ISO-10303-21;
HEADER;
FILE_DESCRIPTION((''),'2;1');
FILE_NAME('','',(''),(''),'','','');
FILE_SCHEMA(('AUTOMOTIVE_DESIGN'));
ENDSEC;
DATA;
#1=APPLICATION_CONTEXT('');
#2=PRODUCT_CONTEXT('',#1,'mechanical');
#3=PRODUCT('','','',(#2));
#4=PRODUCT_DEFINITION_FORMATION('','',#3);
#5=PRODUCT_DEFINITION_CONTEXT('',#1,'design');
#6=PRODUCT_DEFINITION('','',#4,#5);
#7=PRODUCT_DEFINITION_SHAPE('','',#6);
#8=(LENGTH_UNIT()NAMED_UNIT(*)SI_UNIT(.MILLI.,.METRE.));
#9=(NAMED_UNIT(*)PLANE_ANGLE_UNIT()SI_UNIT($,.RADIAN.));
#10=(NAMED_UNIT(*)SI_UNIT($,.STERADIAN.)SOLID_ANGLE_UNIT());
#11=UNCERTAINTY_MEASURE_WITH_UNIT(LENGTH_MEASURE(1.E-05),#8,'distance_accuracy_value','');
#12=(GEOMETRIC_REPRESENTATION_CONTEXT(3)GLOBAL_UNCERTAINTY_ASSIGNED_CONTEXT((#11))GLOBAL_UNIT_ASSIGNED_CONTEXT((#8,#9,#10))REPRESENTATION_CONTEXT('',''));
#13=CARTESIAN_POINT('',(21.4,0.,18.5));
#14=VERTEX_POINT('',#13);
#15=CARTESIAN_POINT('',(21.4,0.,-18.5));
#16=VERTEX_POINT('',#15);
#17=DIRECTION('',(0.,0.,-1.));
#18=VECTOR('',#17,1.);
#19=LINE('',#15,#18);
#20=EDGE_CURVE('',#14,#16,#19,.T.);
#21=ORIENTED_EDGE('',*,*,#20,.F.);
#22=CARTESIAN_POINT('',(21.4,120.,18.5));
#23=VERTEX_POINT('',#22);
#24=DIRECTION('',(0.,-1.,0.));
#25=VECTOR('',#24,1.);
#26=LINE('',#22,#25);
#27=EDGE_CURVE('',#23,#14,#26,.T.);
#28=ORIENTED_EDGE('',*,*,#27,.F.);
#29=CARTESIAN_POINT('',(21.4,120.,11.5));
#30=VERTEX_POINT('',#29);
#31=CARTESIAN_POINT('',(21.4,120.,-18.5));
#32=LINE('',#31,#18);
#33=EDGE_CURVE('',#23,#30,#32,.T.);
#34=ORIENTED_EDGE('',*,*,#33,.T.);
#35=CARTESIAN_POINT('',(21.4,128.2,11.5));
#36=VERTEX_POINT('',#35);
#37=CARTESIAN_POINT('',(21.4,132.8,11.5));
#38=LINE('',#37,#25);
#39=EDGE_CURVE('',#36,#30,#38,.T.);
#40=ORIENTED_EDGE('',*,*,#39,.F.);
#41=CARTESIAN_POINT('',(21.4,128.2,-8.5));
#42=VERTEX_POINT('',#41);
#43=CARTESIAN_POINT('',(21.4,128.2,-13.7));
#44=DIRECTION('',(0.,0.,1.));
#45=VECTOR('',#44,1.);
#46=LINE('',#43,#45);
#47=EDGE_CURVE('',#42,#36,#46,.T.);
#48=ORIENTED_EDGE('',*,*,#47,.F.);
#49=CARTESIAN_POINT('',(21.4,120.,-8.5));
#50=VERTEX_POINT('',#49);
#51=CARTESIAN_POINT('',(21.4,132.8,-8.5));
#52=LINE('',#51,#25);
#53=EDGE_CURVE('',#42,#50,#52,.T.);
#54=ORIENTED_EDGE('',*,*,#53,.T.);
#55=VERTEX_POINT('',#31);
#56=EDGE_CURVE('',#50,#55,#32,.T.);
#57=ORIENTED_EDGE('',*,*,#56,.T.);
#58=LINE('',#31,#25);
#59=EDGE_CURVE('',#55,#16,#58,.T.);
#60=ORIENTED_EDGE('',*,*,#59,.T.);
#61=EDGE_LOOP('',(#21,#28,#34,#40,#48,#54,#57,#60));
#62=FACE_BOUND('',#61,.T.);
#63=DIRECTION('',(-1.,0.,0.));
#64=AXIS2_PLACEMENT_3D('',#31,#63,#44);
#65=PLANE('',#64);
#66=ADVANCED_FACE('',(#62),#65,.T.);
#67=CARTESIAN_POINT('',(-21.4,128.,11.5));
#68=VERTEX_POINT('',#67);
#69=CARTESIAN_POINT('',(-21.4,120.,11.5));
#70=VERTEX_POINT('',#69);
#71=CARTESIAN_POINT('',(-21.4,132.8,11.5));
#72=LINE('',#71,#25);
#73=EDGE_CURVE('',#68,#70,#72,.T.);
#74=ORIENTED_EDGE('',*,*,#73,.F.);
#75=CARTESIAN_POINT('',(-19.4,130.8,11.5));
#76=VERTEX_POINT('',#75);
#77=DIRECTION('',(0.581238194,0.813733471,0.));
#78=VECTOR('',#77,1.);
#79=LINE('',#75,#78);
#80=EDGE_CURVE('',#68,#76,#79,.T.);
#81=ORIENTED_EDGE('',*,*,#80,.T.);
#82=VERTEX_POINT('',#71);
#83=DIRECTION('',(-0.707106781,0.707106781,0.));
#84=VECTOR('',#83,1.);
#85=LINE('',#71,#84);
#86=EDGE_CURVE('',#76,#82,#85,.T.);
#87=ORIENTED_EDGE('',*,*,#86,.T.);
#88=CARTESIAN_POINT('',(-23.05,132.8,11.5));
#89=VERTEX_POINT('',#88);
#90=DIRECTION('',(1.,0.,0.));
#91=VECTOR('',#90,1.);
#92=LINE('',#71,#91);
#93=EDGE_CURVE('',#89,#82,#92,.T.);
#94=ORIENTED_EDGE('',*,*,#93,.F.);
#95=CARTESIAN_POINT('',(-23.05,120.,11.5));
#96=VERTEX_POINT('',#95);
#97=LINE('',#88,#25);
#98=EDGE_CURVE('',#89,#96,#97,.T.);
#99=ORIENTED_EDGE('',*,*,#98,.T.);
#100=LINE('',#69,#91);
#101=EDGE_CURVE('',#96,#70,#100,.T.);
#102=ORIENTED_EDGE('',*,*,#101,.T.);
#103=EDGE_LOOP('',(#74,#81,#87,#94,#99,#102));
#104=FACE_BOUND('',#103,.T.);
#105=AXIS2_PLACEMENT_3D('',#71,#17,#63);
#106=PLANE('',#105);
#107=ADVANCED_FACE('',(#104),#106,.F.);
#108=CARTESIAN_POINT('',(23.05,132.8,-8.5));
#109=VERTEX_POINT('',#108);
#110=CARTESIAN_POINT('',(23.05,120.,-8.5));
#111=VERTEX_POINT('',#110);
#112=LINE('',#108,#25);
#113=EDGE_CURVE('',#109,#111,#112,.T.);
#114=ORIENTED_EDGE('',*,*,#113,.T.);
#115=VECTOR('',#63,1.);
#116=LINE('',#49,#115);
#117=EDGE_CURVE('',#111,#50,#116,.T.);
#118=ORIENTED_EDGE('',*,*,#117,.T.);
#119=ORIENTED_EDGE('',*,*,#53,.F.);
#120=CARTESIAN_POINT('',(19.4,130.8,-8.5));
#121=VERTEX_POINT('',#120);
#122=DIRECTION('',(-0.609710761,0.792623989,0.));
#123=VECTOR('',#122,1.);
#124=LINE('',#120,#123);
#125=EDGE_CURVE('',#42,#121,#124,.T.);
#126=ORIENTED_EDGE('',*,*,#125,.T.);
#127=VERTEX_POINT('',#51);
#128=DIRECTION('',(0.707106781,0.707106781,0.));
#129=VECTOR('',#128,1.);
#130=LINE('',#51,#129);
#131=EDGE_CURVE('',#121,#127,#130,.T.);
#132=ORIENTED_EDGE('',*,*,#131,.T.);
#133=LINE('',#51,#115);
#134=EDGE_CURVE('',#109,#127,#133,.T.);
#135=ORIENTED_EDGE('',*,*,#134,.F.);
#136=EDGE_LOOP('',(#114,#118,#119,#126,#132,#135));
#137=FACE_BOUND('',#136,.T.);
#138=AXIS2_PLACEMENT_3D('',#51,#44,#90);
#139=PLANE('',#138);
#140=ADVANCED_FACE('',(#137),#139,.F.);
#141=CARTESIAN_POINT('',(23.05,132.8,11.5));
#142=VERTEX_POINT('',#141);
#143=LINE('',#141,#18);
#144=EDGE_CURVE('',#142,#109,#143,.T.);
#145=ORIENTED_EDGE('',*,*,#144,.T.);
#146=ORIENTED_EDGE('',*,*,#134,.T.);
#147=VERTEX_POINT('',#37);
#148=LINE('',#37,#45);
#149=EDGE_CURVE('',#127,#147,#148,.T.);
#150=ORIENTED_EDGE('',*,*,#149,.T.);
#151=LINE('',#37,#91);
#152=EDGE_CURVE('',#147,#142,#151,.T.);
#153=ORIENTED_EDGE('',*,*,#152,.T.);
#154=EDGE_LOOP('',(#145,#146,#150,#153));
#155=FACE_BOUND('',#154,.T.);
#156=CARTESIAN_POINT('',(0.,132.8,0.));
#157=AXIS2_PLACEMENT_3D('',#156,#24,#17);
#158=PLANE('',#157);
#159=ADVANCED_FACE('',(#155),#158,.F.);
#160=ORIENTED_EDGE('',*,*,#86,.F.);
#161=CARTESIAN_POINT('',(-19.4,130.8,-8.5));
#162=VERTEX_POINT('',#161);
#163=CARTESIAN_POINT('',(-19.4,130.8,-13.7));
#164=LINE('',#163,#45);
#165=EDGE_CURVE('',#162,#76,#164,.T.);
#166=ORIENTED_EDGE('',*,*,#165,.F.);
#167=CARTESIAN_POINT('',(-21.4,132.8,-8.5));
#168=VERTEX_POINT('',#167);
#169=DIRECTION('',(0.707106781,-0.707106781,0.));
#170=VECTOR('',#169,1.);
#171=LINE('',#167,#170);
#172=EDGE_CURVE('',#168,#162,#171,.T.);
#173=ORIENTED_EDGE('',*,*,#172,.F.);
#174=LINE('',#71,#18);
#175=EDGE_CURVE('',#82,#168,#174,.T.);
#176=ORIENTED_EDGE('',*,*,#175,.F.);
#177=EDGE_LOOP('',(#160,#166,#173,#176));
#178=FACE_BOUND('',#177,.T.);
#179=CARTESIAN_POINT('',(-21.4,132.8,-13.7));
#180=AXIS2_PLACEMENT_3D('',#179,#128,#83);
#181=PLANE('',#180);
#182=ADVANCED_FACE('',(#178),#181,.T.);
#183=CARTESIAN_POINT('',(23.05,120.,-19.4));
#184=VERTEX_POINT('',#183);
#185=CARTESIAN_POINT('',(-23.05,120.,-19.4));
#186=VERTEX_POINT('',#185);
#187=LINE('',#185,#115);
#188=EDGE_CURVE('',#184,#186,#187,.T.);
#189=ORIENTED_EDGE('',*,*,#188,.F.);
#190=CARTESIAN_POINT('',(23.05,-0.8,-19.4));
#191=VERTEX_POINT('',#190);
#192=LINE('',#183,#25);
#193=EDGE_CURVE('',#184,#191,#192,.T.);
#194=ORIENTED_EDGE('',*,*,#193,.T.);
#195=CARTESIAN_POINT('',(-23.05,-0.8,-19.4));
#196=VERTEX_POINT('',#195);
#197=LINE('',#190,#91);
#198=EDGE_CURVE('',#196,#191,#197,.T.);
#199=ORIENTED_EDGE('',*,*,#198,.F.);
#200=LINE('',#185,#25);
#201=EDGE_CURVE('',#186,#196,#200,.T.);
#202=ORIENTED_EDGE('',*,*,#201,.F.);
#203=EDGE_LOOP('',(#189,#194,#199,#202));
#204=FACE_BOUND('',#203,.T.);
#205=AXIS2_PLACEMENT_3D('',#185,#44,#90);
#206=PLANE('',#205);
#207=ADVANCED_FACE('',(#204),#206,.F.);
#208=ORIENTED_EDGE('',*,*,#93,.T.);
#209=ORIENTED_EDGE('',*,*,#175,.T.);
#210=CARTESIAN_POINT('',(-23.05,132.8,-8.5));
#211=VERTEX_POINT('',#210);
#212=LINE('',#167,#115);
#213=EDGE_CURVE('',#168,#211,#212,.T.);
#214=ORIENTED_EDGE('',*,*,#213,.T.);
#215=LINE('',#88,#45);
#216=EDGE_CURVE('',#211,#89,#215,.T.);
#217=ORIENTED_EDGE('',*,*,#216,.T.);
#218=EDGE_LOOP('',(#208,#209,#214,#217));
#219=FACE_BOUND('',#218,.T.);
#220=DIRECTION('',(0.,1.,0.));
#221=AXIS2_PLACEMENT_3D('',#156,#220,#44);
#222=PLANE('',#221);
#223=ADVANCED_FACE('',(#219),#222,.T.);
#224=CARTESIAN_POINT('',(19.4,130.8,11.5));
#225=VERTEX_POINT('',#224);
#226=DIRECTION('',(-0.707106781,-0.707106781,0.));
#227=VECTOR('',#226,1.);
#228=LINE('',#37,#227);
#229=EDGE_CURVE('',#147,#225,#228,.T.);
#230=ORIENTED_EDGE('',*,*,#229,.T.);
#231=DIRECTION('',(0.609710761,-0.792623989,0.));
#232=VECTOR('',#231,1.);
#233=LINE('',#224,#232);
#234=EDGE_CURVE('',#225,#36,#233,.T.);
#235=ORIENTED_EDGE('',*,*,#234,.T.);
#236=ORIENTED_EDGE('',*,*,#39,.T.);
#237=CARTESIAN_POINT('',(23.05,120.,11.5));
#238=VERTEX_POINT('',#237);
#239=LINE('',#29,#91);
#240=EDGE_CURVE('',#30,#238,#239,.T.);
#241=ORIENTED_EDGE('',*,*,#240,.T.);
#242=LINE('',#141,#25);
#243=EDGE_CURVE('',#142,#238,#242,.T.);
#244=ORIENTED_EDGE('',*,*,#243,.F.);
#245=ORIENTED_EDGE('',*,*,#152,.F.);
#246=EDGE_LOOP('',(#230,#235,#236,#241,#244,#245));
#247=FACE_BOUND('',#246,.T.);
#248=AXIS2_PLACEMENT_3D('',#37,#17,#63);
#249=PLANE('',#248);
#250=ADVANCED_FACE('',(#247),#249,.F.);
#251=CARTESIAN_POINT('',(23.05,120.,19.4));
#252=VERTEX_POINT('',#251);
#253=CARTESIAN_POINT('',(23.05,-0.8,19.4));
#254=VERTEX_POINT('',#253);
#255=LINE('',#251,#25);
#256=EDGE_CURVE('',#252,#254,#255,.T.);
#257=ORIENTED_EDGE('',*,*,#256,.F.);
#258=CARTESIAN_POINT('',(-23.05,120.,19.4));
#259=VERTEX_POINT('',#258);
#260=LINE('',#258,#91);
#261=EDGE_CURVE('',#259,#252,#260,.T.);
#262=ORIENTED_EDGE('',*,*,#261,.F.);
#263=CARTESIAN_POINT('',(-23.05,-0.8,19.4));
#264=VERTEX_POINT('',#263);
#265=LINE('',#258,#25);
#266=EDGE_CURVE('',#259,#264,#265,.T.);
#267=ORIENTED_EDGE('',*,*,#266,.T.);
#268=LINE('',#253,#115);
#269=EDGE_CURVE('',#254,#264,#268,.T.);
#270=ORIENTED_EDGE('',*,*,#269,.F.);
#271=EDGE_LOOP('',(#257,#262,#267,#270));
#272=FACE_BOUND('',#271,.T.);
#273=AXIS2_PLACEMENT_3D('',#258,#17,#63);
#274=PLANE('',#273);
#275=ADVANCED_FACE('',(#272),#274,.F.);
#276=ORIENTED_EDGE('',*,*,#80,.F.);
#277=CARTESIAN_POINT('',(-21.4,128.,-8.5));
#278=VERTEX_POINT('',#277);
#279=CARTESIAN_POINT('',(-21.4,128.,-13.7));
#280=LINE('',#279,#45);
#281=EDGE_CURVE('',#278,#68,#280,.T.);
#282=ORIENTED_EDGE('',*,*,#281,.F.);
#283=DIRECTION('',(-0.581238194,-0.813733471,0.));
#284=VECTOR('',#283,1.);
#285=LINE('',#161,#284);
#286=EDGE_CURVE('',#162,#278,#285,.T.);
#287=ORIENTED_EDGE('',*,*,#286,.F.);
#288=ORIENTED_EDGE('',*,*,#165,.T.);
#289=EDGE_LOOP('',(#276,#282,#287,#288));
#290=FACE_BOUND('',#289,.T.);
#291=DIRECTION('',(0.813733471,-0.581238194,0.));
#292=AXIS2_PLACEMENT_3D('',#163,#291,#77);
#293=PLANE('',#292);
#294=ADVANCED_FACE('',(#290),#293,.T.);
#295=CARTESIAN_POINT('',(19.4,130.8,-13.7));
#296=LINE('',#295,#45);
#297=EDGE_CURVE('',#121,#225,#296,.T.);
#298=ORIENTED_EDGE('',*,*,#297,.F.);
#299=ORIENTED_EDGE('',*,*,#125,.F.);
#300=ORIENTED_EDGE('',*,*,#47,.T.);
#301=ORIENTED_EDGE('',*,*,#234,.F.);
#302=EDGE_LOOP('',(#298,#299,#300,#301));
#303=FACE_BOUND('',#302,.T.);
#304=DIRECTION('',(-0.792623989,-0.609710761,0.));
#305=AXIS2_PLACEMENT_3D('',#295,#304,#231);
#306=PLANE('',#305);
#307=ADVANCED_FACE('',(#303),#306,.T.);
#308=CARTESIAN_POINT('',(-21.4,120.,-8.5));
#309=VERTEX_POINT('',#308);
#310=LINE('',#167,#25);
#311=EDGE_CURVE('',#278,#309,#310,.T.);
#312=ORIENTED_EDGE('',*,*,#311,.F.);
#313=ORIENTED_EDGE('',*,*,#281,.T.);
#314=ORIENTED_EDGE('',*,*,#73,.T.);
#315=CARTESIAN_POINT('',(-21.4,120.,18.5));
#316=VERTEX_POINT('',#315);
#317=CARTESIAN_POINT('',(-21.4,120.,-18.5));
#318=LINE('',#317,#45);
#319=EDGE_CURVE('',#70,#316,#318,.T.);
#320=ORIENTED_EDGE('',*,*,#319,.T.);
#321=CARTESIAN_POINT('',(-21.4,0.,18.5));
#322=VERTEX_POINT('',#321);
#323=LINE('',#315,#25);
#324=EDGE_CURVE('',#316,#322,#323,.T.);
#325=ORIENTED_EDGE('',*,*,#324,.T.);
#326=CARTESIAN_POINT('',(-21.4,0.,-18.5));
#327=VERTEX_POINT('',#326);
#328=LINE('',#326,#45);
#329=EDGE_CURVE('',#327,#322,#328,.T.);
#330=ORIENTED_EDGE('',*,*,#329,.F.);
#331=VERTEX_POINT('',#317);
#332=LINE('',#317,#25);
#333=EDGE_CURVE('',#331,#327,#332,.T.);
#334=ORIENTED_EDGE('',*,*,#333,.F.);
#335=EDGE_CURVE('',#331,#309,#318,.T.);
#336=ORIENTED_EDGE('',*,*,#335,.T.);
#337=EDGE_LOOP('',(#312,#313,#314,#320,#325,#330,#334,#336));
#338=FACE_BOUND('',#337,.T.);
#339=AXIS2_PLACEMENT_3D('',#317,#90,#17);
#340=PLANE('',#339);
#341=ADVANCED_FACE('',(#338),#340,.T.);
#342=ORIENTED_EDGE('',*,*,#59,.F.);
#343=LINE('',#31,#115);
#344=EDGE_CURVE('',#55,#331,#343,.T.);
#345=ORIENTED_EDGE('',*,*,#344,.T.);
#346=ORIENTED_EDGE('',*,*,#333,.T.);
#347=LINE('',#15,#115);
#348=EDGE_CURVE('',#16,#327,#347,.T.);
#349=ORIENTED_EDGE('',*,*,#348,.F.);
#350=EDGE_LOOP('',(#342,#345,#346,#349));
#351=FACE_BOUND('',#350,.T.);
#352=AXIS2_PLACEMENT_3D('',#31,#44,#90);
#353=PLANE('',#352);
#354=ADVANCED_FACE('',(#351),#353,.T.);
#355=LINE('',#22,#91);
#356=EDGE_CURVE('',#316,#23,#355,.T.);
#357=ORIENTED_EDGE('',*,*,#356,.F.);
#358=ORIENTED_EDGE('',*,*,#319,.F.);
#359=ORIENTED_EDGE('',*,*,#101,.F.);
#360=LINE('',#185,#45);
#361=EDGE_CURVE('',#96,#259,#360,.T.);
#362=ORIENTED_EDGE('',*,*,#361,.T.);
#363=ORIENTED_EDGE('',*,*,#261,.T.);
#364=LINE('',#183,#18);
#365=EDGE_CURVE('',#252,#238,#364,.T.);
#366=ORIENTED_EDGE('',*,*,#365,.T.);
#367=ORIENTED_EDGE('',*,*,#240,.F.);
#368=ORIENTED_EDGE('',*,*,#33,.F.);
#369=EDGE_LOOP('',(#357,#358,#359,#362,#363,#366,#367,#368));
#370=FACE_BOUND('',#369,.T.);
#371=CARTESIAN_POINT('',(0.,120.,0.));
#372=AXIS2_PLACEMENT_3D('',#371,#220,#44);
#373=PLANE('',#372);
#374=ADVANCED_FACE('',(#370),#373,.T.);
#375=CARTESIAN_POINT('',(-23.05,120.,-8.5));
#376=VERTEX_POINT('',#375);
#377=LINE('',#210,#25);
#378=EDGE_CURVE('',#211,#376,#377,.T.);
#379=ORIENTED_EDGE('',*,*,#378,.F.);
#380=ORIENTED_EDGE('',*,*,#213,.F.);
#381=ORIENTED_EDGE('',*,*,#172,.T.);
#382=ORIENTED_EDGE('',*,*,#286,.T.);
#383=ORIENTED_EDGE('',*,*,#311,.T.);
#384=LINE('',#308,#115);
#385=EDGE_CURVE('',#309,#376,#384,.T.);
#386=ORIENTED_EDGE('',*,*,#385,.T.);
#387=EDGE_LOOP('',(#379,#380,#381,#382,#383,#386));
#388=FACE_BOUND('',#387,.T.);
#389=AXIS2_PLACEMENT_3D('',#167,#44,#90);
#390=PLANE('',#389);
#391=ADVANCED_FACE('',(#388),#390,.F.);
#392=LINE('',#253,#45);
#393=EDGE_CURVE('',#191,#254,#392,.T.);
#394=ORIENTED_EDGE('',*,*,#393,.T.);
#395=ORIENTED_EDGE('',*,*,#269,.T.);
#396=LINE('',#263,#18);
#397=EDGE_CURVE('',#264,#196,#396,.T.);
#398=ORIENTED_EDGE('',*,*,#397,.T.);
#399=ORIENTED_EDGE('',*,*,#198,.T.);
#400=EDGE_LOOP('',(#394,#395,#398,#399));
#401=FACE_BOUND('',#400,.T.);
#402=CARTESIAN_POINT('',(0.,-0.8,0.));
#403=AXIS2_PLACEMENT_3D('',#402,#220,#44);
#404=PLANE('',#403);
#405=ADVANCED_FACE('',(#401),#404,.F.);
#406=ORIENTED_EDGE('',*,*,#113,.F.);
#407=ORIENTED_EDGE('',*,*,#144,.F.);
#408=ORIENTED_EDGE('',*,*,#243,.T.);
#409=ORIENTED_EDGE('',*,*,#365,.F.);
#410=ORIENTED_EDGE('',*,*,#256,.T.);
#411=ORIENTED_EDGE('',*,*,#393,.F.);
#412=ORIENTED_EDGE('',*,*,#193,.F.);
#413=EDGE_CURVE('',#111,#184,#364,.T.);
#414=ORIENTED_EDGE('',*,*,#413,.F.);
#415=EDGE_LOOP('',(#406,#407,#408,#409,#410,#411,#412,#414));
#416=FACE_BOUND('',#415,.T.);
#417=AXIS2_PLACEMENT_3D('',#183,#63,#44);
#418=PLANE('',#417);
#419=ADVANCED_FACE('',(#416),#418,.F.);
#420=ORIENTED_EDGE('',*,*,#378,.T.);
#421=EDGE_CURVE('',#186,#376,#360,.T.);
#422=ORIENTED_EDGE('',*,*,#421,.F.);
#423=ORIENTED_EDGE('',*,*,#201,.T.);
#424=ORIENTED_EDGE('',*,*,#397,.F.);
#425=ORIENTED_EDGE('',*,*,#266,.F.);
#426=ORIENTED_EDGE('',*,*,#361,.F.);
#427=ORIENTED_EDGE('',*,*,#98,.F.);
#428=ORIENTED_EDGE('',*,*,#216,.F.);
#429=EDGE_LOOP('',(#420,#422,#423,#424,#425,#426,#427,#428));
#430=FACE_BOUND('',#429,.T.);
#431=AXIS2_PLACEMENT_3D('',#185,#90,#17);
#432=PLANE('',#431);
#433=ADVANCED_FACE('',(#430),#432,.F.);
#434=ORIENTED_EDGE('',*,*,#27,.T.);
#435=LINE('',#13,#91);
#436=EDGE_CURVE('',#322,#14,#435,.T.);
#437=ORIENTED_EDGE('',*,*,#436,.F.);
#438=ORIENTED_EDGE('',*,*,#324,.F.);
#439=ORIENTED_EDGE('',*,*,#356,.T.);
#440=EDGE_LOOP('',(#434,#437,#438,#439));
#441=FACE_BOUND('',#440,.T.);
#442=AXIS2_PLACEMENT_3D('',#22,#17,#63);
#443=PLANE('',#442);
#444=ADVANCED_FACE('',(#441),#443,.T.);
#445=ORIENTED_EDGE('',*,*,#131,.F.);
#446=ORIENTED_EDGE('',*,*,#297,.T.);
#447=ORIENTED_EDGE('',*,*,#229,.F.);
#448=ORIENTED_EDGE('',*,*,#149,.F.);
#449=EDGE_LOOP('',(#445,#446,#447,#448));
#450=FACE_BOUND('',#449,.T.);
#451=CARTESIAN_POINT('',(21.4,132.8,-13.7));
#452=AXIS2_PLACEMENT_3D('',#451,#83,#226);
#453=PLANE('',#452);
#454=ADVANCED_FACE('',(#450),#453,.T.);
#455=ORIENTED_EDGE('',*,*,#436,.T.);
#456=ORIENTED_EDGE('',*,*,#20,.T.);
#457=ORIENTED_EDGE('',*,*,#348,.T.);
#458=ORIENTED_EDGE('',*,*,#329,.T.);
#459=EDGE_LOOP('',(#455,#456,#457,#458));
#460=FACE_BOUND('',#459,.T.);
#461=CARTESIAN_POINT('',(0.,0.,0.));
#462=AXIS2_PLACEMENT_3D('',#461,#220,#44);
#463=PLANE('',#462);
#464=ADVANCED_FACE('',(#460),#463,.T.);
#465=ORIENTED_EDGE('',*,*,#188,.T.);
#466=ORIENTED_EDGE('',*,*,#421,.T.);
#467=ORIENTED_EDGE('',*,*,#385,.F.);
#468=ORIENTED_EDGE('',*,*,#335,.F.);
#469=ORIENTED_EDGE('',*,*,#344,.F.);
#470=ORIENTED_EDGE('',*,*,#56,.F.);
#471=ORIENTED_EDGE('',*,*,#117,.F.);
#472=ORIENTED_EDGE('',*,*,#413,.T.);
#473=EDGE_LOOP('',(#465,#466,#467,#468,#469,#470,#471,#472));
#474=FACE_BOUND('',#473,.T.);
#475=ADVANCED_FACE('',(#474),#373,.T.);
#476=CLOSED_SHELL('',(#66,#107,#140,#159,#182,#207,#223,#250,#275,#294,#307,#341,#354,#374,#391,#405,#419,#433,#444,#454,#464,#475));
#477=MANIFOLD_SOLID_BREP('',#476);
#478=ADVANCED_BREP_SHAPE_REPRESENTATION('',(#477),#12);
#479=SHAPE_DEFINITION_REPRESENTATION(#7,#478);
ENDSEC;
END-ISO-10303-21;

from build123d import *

# Parameters (mm, degrees)
SKETCH1_W           = 46.1
SKETCH1_H           = 38.8
SKETCH1_W_2         = 42.8
SKETCH1_H_2         = 37
BOSS_EXTRUDE1_DEPTH = 120
SKETCH2_W           = 1.65
SKETCH2_H           = 20
BOSS_EXTRUDE2_DEPTH = 12.8
BOSS_EXTRUDE5_DEPTH = 20
SKETCH6_W           = 46.1
SKETCH6_H           = 38.8
BOSS_EXTRUDE6_DEPTH = 0.8


with BuildPart() as part:
    # Sketch1 → Boss-Extrude1 (new body)
    with BuildSketch(Plane(origin=(0, 0, 0), x_dir=(1, 0, 0), z_dir=(0, 1, 0))):
        Rectangle(SKETCH1_W, SKETCH1_H)
        Rectangle(SKETCH1_W_2, SKETCH1_H_2, mode=Mode.SUBTRACT)
    extrude(amount=BOSS_EXTRUDE1_DEPTH)

    # Sketch2 → Boss-Extrude2 (add)
    with BuildSketch(Plane(origin=(0, 120, 0), x_dir=(1, 0, 0), z_dir=(0, 1, 0))):
        with Locations((22.225, -1.5)):
            Rectangle(SKETCH2_W, SKETCH2_H)
        with Locations((-22.225, -1.5)):
            Rectangle(SKETCH2_W, SKETCH2_H)
    extrude(amount=BOSS_EXTRUDE2_DEPTH)

    # Sketch5 → Boss-Extrude5 (add)
    with BuildSketch(Plane.XY.offset(11.5)):
        Polygon((-19.4, 130.8), (-21.4, 128), (-21.4, 132.8), align=None)
        Polygon((21.4, 128.2), (21.4, 132.8), (19.4, 130.8), align=None)
    extrude(amount=-BOSS_EXTRUDE5_DEPTH)

    # Sketch6 → Boss-Extrude6 (add)
    with BuildSketch(Plane.XZ):
        Rectangle(SKETCH6_W, SKETCH6_H)
    extrude(amount=BOSS_EXTRUDE6_DEPTH)


solid = part.part
